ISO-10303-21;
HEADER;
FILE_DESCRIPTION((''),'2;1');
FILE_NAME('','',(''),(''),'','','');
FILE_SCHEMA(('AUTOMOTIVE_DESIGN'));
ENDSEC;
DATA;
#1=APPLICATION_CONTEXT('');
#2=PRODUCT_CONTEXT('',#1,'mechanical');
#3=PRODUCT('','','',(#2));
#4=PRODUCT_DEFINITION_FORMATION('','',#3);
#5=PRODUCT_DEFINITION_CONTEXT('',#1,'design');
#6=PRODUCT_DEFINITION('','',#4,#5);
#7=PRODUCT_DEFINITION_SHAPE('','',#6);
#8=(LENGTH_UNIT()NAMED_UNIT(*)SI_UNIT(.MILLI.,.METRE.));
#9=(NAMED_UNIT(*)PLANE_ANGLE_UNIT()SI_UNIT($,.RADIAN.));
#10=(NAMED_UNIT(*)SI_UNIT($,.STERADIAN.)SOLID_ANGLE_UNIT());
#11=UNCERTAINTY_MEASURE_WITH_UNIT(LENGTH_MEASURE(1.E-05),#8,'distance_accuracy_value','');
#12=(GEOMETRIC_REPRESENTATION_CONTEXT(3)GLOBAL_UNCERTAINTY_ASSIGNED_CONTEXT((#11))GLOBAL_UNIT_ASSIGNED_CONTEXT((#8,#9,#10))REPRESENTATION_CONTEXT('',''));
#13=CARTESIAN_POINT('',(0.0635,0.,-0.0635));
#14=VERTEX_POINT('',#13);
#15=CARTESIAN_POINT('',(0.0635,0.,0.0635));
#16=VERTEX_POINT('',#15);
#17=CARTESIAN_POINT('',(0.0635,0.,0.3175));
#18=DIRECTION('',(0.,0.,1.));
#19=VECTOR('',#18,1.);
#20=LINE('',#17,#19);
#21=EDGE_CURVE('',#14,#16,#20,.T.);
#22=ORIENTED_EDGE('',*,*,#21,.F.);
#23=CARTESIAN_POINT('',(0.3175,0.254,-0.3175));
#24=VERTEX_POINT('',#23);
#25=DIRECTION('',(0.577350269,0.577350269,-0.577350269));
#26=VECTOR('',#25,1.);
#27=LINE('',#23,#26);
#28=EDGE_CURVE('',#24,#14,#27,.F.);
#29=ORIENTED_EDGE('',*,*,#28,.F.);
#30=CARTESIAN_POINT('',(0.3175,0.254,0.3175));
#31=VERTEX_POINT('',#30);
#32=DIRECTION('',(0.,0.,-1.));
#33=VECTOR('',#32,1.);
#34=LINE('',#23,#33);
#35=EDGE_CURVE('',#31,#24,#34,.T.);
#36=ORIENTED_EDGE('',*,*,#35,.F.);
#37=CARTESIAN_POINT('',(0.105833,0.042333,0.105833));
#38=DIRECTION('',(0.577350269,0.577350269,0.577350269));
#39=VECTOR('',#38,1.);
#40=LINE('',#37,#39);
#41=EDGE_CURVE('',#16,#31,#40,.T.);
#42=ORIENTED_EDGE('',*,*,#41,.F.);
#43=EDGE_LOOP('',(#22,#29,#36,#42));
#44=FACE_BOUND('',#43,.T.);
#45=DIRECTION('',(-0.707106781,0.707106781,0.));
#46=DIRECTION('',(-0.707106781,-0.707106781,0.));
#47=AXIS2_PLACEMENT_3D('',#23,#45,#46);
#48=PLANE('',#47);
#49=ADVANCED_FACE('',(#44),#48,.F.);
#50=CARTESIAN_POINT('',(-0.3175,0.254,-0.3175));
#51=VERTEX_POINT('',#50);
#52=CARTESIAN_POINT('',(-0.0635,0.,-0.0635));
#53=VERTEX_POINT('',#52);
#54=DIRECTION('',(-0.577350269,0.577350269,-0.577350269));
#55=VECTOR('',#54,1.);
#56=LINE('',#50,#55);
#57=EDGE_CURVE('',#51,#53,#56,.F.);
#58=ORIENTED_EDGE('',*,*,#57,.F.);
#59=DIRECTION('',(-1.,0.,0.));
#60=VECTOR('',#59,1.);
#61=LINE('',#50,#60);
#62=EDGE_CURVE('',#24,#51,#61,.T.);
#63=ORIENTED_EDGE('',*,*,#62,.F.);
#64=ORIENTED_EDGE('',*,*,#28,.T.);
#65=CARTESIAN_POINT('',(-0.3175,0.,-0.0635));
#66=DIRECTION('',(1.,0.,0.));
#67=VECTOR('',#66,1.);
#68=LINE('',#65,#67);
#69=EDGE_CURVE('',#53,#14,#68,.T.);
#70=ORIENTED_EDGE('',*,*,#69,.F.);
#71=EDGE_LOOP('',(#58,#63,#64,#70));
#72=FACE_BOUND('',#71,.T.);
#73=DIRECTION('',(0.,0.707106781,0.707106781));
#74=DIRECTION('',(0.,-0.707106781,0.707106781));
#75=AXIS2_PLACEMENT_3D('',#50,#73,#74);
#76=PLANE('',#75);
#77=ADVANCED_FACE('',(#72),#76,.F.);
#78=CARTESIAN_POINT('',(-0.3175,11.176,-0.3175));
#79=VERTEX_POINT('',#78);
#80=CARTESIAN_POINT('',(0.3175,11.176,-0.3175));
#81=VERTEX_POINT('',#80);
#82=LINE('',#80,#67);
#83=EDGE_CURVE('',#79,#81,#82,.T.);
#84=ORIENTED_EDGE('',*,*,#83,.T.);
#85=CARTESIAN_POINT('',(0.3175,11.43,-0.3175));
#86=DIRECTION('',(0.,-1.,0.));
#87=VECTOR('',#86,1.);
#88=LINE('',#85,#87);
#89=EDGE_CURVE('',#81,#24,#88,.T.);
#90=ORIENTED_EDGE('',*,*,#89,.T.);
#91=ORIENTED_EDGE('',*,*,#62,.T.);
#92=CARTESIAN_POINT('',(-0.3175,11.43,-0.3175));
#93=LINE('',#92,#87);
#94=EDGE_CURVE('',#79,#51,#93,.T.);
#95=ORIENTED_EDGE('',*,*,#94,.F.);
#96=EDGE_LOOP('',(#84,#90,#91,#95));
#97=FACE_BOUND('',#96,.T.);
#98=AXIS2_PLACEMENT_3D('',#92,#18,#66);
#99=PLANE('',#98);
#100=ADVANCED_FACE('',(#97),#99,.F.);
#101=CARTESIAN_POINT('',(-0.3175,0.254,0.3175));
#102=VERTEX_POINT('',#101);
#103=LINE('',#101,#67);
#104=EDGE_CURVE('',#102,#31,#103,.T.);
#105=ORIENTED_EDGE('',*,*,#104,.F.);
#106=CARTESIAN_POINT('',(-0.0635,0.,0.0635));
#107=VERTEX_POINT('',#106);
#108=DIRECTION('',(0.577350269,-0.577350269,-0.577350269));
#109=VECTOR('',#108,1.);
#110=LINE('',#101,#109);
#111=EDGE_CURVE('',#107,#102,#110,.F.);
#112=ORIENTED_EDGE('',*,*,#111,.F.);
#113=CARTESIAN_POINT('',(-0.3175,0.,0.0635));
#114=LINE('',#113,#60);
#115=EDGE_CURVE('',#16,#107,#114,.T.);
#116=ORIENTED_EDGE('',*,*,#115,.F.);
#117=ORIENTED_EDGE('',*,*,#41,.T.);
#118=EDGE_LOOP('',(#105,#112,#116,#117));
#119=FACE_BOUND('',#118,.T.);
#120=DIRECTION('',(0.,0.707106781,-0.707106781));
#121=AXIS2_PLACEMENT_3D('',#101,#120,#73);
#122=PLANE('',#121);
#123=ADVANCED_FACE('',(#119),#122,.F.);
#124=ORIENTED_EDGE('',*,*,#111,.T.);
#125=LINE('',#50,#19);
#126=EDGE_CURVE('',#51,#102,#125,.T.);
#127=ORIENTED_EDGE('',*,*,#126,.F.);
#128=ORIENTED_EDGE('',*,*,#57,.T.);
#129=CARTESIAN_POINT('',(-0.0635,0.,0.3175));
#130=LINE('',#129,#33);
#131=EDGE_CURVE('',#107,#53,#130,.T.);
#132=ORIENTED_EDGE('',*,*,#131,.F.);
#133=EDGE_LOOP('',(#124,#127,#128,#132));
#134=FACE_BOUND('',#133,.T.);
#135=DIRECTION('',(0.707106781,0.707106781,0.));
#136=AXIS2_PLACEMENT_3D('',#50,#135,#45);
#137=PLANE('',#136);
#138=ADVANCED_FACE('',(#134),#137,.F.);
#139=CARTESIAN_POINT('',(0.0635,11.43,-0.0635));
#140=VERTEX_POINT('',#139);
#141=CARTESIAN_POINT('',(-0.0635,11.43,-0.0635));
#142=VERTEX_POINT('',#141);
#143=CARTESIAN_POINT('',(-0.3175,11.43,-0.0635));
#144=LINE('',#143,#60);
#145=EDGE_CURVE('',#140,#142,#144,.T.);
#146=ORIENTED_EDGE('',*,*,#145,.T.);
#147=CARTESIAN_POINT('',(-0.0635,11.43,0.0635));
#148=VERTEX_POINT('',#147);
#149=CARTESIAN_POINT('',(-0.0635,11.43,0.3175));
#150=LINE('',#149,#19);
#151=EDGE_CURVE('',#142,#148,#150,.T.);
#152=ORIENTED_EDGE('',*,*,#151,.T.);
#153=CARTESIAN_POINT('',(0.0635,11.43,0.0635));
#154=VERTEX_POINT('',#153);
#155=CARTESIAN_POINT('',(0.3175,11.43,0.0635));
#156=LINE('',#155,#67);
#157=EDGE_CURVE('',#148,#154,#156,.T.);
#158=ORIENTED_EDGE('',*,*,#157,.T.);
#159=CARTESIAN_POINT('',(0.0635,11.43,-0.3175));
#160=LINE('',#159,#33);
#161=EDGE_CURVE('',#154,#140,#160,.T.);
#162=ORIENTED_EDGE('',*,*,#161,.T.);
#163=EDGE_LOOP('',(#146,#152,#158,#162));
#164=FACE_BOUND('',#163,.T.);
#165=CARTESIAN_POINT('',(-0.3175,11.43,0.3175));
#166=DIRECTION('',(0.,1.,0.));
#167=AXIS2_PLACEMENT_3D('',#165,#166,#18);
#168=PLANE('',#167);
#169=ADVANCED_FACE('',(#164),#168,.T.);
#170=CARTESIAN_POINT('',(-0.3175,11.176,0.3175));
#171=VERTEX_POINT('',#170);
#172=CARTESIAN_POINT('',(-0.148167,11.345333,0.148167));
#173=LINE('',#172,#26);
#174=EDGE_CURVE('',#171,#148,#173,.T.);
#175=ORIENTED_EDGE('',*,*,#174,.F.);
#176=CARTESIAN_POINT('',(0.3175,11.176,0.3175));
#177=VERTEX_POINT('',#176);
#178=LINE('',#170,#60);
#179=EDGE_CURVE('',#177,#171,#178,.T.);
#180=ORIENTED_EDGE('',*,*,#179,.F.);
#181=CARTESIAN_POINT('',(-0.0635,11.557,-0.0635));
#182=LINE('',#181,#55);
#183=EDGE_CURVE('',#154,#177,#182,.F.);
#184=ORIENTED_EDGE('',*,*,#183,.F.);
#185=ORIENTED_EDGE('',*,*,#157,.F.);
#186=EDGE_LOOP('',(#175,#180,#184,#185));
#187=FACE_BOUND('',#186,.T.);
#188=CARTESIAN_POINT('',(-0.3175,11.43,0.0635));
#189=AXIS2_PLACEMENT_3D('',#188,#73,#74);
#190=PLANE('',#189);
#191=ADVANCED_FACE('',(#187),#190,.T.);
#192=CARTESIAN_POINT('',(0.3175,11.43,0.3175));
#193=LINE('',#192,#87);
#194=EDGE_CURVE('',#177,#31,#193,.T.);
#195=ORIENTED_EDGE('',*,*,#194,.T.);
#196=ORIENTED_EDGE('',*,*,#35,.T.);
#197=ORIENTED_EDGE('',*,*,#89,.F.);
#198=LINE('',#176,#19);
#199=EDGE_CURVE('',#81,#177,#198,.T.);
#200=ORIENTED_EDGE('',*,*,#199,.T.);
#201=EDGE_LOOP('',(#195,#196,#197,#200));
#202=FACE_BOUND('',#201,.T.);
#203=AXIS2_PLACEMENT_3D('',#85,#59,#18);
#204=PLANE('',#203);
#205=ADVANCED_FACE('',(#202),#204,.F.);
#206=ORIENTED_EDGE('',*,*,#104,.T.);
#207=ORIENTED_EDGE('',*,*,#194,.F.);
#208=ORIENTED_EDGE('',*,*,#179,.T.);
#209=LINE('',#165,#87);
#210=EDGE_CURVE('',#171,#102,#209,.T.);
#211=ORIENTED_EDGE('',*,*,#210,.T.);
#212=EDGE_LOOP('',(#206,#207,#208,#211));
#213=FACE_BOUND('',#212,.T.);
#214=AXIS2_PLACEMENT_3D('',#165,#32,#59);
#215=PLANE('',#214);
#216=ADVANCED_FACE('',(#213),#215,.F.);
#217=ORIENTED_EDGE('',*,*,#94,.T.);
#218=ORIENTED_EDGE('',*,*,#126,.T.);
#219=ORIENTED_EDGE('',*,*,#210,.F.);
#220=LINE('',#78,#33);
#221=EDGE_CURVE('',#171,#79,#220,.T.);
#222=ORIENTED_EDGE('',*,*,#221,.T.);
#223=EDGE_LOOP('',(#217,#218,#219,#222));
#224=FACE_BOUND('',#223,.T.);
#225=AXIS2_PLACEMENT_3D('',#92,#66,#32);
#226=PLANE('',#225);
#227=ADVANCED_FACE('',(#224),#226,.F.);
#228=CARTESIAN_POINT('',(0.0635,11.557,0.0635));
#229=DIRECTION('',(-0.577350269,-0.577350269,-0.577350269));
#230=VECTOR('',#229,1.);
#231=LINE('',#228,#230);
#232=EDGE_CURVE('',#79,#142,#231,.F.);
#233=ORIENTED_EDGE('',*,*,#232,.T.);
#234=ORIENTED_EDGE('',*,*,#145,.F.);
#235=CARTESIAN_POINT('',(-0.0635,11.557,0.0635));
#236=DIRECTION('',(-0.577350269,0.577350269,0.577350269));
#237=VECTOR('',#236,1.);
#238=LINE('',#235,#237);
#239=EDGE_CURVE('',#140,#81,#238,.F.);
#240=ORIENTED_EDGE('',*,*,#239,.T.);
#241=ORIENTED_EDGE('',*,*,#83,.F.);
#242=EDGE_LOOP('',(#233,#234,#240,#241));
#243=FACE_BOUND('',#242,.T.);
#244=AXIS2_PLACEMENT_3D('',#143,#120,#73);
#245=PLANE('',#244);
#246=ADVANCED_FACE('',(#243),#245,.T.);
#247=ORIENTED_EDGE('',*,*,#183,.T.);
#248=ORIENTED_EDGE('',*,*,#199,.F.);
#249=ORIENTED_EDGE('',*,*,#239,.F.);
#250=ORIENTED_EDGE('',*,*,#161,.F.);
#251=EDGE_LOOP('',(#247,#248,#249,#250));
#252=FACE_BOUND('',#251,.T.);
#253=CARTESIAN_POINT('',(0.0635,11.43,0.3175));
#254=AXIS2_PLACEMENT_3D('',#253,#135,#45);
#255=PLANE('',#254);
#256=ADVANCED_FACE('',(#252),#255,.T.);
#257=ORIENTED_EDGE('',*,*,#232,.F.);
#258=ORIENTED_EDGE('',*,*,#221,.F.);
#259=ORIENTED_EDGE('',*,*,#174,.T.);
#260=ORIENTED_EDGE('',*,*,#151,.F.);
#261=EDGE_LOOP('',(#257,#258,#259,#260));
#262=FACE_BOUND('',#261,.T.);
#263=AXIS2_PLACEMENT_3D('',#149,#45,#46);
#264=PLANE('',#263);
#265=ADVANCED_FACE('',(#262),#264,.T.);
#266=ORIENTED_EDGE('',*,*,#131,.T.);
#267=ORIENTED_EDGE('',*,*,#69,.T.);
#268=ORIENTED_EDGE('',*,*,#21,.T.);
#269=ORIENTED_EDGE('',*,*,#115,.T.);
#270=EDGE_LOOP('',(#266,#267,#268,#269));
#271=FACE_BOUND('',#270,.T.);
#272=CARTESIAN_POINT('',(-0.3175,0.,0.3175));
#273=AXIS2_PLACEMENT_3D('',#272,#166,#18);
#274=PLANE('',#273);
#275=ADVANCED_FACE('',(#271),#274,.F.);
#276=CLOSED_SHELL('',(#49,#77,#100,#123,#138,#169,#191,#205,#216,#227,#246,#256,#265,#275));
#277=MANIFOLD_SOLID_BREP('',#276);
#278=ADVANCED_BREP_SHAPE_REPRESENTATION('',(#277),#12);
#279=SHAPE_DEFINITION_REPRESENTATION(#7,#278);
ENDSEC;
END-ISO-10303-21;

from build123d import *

# Parameters (mm, degrees)
SKETCH1_W           = 0.635
SKETCH1_H           = 0.635
BOSS_EXTRUDE1_DEPTH = 11.43
CHAMFER1_SIZE       = 0.254
CHAMFER2_SIZE       = 0.254


with BuildPart() as part:
    # Sketch1 → Boss-Extrude1 (new body)
    with BuildSketch(Plane(origin=(0, 0, 0), x_dir=(1, 0, 0), z_dir=(0, 1, 0))):
        Rectangle(SKETCH1_W, SKETCH1_H)
    extrude(amount=BOSS_EXTRUDE1_DEPTH)

    # Chamfer1
    chamfer1_edges = [part.edges().sort_by_distance(p)[0] for p in [
        (0.3175, 11.43, 0),
        (0, 11.43, -0.3175),
        (-0.3175, 11.43, 0),
        (0, 11.43, 0.3175),
    ]]
    chamfer(chamfer1_edges, length=CHAMFER1_SIZE)

    # Chamfer2
    chamfer2_edges = [part.edges().sort_by_distance(p)[0] for p in [
        (0, 0, -0.3175),
        (0.3175, 0, 0),
        (0, 0, 0.3175),
        (-0.3175, 0, 0),
    ]]
    chamfer(chamfer2_edges, length=CHAMFER2_SIZE)


solid = part.part
